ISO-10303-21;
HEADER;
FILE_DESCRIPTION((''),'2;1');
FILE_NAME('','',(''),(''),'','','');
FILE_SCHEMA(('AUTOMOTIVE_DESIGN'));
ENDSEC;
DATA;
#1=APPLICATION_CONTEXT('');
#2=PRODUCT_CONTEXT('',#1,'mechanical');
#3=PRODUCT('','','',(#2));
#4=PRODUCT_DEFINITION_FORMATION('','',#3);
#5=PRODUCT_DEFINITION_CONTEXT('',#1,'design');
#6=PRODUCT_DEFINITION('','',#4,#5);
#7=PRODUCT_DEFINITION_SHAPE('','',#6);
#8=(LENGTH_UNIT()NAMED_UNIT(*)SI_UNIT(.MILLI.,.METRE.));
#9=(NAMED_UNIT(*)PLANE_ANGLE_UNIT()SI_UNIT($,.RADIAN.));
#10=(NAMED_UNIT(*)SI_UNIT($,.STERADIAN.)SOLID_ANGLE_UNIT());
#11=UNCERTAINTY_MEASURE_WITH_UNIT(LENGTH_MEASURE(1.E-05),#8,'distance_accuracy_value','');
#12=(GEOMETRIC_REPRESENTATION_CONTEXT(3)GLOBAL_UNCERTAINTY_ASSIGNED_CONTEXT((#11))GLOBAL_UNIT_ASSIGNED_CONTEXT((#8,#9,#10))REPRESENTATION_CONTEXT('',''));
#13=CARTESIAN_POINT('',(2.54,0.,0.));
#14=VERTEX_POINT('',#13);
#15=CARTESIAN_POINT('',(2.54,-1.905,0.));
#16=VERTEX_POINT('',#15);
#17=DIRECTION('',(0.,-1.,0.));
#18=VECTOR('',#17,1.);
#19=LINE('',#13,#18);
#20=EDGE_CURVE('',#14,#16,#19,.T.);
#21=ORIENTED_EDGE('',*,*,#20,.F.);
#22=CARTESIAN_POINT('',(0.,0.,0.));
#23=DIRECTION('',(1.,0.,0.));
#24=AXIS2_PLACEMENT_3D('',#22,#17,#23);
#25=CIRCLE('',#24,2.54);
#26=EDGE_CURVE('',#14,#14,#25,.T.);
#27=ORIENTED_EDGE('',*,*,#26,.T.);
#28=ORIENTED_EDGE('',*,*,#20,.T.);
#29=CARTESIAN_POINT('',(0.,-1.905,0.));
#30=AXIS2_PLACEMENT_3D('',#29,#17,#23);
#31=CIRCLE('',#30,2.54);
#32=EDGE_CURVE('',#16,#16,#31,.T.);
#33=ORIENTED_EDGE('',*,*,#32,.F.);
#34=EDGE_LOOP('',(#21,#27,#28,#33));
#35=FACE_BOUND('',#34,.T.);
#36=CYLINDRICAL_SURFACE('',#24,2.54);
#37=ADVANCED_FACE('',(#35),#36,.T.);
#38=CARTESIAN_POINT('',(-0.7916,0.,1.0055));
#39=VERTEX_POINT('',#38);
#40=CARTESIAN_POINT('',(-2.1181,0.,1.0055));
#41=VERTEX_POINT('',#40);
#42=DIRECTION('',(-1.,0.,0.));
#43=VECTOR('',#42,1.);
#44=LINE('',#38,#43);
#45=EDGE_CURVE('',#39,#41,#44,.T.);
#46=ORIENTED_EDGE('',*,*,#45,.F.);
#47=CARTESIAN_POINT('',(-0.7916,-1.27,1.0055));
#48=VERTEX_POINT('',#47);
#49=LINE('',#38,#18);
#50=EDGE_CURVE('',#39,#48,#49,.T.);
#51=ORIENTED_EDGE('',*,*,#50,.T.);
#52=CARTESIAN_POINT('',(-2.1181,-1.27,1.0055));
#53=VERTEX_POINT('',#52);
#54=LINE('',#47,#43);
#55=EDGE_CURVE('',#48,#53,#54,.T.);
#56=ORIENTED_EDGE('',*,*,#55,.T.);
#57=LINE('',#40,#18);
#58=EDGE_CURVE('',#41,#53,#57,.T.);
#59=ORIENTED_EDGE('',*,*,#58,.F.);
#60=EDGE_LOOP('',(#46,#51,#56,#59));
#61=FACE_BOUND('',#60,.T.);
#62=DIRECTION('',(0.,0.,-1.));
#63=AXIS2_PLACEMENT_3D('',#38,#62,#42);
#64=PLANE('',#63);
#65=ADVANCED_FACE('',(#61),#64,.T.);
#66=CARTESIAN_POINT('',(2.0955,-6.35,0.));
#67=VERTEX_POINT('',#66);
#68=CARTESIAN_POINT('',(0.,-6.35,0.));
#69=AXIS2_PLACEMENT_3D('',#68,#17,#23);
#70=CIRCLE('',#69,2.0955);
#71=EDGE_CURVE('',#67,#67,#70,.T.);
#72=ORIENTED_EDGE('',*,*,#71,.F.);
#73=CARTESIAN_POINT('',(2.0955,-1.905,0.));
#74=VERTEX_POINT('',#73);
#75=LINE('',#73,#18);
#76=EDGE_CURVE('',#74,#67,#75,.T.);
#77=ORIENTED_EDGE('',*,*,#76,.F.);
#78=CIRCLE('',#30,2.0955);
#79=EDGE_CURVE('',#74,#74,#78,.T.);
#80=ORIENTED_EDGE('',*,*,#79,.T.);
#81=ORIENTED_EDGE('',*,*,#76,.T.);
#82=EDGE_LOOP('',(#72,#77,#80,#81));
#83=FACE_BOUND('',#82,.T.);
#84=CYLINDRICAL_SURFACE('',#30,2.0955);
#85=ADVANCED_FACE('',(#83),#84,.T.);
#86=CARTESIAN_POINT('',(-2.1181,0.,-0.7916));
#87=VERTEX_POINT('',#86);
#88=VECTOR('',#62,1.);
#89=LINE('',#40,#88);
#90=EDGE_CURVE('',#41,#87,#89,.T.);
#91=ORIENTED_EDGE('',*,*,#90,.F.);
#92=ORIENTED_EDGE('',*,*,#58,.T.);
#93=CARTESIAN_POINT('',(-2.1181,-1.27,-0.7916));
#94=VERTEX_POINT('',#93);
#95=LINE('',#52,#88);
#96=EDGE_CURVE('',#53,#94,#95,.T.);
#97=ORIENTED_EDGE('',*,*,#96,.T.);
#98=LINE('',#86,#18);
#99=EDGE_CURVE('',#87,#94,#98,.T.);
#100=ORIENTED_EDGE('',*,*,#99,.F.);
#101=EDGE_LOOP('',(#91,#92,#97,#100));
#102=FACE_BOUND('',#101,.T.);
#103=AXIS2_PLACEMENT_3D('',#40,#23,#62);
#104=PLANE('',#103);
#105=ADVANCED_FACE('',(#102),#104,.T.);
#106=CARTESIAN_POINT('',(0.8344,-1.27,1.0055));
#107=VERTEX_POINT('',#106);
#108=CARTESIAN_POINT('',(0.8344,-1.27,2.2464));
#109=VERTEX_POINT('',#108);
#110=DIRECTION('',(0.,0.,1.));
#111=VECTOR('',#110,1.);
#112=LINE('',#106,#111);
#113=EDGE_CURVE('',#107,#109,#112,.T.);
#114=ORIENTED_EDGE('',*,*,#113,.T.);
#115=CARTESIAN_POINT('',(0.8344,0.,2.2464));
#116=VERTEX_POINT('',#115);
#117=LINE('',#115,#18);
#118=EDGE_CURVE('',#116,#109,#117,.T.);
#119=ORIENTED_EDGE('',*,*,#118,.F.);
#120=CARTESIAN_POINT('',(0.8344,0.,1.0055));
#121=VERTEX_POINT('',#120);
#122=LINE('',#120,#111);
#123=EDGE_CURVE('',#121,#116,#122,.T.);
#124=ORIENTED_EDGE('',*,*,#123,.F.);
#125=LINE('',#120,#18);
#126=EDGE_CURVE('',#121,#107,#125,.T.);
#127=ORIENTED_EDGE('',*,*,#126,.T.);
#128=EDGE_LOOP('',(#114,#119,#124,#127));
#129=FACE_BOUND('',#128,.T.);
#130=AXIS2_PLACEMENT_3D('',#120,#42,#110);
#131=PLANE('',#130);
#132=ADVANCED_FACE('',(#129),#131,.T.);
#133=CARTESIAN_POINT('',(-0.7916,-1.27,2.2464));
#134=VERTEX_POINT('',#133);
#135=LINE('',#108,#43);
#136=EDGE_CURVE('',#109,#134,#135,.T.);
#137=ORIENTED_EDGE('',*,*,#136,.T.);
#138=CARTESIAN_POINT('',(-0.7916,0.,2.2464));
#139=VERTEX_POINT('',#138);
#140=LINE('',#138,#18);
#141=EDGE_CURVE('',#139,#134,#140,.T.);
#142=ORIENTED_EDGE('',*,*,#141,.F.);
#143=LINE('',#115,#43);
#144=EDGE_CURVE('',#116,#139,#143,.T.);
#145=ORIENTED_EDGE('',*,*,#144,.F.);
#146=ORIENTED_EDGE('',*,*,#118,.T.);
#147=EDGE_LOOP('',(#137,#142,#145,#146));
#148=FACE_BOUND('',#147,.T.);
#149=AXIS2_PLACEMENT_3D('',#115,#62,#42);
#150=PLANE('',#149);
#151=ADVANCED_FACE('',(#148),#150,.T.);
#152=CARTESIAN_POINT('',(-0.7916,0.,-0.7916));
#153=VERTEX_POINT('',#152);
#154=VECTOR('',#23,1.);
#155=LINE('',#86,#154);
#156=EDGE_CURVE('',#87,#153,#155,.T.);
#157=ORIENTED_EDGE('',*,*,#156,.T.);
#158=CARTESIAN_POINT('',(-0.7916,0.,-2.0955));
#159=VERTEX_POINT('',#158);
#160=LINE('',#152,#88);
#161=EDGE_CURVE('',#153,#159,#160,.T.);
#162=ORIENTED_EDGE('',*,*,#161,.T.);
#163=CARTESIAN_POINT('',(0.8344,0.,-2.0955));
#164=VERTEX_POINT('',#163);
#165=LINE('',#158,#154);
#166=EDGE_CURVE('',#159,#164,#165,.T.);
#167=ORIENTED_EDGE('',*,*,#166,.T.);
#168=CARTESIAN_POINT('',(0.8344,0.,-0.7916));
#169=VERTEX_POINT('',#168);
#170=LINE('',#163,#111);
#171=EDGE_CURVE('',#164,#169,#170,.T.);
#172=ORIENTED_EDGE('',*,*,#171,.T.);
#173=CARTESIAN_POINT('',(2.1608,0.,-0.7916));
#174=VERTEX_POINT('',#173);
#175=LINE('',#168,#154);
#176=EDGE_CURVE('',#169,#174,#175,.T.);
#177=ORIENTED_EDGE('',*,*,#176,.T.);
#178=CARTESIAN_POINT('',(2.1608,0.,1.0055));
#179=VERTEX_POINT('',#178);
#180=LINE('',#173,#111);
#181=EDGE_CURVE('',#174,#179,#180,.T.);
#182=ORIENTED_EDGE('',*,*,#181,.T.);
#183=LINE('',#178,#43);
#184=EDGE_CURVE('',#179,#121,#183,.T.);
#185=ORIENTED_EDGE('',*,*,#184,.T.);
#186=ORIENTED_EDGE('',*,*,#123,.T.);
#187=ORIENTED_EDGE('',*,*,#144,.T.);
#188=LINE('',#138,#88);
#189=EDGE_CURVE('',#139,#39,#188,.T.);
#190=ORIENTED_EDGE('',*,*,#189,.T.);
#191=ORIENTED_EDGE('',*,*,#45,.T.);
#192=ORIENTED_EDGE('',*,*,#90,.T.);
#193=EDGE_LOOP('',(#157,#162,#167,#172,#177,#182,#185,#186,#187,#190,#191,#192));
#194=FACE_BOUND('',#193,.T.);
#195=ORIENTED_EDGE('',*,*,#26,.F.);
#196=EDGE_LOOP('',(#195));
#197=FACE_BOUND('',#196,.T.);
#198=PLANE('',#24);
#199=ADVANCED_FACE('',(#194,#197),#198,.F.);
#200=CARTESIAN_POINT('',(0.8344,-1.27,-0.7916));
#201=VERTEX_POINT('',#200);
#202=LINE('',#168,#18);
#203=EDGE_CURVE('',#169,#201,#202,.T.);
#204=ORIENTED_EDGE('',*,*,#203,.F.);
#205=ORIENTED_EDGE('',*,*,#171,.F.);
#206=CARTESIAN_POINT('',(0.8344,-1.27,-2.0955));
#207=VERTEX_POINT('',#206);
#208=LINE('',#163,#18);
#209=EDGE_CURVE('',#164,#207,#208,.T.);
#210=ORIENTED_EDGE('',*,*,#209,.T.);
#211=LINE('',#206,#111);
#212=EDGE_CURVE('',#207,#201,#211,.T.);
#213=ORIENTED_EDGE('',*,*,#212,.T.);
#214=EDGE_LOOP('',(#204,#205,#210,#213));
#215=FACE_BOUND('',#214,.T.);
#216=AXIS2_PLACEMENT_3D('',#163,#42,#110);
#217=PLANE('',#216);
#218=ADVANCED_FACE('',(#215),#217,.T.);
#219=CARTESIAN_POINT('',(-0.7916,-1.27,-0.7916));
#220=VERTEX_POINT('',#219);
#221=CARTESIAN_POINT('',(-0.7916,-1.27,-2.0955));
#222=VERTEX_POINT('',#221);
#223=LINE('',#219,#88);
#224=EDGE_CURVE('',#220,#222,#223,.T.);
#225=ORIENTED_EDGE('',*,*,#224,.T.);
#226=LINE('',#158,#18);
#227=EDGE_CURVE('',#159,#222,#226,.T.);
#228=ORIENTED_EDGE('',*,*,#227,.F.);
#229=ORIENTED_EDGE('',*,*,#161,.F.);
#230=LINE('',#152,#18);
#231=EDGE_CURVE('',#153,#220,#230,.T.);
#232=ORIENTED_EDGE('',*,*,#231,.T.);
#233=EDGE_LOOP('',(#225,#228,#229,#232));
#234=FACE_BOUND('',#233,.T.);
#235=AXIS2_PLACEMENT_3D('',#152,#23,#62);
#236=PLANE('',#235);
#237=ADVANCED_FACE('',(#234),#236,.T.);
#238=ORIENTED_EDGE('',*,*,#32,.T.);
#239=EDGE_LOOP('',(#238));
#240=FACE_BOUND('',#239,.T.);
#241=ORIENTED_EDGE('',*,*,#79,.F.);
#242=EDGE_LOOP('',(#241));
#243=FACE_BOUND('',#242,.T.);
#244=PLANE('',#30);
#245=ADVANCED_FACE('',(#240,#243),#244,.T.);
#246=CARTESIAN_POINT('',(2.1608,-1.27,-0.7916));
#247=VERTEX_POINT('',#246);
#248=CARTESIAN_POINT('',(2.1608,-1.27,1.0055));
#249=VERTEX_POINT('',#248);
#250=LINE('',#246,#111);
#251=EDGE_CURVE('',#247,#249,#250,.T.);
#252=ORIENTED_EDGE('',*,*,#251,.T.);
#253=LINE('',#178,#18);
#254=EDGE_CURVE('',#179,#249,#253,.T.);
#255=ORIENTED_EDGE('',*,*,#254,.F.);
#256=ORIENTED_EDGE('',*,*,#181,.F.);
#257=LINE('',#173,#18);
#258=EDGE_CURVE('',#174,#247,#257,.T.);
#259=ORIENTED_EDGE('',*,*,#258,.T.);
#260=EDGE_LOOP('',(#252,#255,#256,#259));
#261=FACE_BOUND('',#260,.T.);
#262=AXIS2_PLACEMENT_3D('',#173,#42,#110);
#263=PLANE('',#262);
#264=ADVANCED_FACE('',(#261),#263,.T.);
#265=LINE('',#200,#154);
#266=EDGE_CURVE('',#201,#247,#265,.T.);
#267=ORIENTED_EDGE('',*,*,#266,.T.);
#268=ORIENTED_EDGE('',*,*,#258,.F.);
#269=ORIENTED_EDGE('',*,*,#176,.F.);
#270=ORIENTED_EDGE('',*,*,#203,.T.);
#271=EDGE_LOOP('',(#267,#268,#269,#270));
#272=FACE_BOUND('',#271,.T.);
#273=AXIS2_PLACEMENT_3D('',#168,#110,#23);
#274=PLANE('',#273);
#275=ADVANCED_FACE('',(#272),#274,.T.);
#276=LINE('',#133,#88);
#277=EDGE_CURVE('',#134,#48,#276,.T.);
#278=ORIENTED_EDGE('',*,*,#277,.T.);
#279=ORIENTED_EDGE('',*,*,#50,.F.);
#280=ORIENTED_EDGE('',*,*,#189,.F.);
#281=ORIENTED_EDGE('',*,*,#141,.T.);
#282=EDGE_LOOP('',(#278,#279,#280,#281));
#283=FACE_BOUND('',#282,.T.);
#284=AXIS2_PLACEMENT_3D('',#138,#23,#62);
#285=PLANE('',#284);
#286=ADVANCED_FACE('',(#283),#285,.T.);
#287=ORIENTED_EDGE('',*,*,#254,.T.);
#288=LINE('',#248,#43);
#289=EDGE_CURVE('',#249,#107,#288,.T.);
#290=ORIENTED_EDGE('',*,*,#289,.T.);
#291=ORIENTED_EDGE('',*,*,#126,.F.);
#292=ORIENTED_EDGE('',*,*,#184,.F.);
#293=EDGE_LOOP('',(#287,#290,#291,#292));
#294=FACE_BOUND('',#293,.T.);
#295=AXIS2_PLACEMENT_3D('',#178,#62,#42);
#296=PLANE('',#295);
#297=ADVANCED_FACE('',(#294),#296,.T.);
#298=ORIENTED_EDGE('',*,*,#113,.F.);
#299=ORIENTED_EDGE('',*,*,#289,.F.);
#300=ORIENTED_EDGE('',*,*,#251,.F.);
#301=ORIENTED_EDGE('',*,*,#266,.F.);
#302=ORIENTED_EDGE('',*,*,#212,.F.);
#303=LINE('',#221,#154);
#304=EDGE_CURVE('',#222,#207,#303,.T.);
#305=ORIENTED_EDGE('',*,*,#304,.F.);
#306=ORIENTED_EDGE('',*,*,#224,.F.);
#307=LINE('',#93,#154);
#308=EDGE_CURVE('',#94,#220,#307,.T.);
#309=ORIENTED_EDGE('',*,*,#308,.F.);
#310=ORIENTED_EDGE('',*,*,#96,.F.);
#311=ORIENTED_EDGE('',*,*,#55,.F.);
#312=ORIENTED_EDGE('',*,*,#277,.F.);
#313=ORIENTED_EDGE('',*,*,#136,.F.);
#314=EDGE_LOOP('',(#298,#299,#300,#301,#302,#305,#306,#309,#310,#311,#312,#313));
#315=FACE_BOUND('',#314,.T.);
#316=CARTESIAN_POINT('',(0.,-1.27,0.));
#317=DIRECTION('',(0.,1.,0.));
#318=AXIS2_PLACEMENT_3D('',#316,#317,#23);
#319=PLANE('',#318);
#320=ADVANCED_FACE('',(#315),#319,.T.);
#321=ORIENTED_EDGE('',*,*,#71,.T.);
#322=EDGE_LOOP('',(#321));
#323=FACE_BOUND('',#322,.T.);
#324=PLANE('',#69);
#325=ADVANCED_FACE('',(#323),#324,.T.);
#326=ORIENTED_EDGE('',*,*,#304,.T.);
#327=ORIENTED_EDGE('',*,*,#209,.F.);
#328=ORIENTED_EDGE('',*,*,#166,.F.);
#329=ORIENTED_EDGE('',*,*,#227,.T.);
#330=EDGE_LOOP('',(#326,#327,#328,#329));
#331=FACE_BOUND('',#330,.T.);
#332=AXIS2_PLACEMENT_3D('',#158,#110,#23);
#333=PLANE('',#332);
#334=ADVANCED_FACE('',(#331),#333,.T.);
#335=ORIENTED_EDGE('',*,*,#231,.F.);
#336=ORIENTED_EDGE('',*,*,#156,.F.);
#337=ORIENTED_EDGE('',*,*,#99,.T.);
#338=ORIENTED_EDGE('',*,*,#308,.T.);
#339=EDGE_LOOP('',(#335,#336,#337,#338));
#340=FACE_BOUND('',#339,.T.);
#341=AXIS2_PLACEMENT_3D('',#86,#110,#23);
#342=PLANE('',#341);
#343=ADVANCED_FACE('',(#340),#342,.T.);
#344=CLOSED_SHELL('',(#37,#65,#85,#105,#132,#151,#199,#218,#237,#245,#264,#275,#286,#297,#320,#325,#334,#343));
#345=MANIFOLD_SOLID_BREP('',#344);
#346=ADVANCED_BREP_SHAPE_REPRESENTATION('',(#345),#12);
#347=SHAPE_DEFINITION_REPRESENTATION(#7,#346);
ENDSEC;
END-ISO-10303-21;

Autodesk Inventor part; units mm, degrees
ref_plane "YZ Plane" through (0, 0, 0) normal (1, 0, 0) x (0, 1, 0)
ref_plane "XZ Plane" through (0, 0, 0) normal (0, 1, 0) x (-1, 0, 0)
ref_plane "XY Plane" through (0, 0, 0) normal (0, 0, 1) x (1, 0, 0)
sketch "Sketch1" plane through (0, 0, 0) normal (0, 0, 1) x (1, 0, 0)
  line L0 (0, 0) -> (2.54, 0)
  line L1 (2.54, 0) -> (2.54, -1.905)
  line L2 (2.54, -1.905) -> (2.0955, -1.905)
  line L3 (2.0955, -1.905) -> (2.0955, -6.35)
  line L4 (2.0955, -6.35) -> (0, -6.35)
  line L5 (0, -6.35) -> (0, 0)
  line L6 (0, 0) -> (0, -8.8327)
  dimension "d0" = 2.54
  dimension "d1" = 1.905
  dimension "d2" = 0.4445
  dimension "d3" = 4.445
revolve "Revolution1" add sketch "Sketch1" angle 360 about axis through (0, 0, 0) along (0, -1, 0)
thread "Thread1" size "5-40 UNC" class "2A" standard "ANSI Unified Screw Threads" full length
sketch "Sketch2" plane through (0, 0, 0) normal (0, 1, 0) x (1, 0, 0)
  line L0 (2.1608, 0.7916) -> (2.1608, -1.0055)
  line L1 (-2.1181, -1.0055) -> (-2.1181, 0.7916)
  line L2 (-0.7916, 2.0955) -> (0.8344, 2.0955)
  line L3 (0.8344, -2.2464) -> (-0.7916, -2.2464)
  line L4 (-0.7916, -2.2464) -> (-0.7916, -1.0055)
  line L5 (-0.7916, 0.7916) -> (-0.7916, 2.0955)
  line L6 (-2.1181, 0.7916) -> (-0.7916, 0.7916)
  line L7 (0.8344, 0.7916) -> (2.1608, 0.7916)
  line L8 (0.8344, 2.0955) -> (0.8344, 0.7916)
  line L9 (0.8344, -1.0055) -> (0.8344, -2.2464)
  line L10 (2.1608, -1.0055) -> (0.8344, -1.0055)
  line L11 (-0.7916, -1.0055) -> (-2.1181, -1.0055)
  point P0 (0, 0)
extrude "Extrusion1" cut sketch "Sketch2" against normal blind 1.27
properties part number "sqrew for baring stand" material "Aluminum 6061"
